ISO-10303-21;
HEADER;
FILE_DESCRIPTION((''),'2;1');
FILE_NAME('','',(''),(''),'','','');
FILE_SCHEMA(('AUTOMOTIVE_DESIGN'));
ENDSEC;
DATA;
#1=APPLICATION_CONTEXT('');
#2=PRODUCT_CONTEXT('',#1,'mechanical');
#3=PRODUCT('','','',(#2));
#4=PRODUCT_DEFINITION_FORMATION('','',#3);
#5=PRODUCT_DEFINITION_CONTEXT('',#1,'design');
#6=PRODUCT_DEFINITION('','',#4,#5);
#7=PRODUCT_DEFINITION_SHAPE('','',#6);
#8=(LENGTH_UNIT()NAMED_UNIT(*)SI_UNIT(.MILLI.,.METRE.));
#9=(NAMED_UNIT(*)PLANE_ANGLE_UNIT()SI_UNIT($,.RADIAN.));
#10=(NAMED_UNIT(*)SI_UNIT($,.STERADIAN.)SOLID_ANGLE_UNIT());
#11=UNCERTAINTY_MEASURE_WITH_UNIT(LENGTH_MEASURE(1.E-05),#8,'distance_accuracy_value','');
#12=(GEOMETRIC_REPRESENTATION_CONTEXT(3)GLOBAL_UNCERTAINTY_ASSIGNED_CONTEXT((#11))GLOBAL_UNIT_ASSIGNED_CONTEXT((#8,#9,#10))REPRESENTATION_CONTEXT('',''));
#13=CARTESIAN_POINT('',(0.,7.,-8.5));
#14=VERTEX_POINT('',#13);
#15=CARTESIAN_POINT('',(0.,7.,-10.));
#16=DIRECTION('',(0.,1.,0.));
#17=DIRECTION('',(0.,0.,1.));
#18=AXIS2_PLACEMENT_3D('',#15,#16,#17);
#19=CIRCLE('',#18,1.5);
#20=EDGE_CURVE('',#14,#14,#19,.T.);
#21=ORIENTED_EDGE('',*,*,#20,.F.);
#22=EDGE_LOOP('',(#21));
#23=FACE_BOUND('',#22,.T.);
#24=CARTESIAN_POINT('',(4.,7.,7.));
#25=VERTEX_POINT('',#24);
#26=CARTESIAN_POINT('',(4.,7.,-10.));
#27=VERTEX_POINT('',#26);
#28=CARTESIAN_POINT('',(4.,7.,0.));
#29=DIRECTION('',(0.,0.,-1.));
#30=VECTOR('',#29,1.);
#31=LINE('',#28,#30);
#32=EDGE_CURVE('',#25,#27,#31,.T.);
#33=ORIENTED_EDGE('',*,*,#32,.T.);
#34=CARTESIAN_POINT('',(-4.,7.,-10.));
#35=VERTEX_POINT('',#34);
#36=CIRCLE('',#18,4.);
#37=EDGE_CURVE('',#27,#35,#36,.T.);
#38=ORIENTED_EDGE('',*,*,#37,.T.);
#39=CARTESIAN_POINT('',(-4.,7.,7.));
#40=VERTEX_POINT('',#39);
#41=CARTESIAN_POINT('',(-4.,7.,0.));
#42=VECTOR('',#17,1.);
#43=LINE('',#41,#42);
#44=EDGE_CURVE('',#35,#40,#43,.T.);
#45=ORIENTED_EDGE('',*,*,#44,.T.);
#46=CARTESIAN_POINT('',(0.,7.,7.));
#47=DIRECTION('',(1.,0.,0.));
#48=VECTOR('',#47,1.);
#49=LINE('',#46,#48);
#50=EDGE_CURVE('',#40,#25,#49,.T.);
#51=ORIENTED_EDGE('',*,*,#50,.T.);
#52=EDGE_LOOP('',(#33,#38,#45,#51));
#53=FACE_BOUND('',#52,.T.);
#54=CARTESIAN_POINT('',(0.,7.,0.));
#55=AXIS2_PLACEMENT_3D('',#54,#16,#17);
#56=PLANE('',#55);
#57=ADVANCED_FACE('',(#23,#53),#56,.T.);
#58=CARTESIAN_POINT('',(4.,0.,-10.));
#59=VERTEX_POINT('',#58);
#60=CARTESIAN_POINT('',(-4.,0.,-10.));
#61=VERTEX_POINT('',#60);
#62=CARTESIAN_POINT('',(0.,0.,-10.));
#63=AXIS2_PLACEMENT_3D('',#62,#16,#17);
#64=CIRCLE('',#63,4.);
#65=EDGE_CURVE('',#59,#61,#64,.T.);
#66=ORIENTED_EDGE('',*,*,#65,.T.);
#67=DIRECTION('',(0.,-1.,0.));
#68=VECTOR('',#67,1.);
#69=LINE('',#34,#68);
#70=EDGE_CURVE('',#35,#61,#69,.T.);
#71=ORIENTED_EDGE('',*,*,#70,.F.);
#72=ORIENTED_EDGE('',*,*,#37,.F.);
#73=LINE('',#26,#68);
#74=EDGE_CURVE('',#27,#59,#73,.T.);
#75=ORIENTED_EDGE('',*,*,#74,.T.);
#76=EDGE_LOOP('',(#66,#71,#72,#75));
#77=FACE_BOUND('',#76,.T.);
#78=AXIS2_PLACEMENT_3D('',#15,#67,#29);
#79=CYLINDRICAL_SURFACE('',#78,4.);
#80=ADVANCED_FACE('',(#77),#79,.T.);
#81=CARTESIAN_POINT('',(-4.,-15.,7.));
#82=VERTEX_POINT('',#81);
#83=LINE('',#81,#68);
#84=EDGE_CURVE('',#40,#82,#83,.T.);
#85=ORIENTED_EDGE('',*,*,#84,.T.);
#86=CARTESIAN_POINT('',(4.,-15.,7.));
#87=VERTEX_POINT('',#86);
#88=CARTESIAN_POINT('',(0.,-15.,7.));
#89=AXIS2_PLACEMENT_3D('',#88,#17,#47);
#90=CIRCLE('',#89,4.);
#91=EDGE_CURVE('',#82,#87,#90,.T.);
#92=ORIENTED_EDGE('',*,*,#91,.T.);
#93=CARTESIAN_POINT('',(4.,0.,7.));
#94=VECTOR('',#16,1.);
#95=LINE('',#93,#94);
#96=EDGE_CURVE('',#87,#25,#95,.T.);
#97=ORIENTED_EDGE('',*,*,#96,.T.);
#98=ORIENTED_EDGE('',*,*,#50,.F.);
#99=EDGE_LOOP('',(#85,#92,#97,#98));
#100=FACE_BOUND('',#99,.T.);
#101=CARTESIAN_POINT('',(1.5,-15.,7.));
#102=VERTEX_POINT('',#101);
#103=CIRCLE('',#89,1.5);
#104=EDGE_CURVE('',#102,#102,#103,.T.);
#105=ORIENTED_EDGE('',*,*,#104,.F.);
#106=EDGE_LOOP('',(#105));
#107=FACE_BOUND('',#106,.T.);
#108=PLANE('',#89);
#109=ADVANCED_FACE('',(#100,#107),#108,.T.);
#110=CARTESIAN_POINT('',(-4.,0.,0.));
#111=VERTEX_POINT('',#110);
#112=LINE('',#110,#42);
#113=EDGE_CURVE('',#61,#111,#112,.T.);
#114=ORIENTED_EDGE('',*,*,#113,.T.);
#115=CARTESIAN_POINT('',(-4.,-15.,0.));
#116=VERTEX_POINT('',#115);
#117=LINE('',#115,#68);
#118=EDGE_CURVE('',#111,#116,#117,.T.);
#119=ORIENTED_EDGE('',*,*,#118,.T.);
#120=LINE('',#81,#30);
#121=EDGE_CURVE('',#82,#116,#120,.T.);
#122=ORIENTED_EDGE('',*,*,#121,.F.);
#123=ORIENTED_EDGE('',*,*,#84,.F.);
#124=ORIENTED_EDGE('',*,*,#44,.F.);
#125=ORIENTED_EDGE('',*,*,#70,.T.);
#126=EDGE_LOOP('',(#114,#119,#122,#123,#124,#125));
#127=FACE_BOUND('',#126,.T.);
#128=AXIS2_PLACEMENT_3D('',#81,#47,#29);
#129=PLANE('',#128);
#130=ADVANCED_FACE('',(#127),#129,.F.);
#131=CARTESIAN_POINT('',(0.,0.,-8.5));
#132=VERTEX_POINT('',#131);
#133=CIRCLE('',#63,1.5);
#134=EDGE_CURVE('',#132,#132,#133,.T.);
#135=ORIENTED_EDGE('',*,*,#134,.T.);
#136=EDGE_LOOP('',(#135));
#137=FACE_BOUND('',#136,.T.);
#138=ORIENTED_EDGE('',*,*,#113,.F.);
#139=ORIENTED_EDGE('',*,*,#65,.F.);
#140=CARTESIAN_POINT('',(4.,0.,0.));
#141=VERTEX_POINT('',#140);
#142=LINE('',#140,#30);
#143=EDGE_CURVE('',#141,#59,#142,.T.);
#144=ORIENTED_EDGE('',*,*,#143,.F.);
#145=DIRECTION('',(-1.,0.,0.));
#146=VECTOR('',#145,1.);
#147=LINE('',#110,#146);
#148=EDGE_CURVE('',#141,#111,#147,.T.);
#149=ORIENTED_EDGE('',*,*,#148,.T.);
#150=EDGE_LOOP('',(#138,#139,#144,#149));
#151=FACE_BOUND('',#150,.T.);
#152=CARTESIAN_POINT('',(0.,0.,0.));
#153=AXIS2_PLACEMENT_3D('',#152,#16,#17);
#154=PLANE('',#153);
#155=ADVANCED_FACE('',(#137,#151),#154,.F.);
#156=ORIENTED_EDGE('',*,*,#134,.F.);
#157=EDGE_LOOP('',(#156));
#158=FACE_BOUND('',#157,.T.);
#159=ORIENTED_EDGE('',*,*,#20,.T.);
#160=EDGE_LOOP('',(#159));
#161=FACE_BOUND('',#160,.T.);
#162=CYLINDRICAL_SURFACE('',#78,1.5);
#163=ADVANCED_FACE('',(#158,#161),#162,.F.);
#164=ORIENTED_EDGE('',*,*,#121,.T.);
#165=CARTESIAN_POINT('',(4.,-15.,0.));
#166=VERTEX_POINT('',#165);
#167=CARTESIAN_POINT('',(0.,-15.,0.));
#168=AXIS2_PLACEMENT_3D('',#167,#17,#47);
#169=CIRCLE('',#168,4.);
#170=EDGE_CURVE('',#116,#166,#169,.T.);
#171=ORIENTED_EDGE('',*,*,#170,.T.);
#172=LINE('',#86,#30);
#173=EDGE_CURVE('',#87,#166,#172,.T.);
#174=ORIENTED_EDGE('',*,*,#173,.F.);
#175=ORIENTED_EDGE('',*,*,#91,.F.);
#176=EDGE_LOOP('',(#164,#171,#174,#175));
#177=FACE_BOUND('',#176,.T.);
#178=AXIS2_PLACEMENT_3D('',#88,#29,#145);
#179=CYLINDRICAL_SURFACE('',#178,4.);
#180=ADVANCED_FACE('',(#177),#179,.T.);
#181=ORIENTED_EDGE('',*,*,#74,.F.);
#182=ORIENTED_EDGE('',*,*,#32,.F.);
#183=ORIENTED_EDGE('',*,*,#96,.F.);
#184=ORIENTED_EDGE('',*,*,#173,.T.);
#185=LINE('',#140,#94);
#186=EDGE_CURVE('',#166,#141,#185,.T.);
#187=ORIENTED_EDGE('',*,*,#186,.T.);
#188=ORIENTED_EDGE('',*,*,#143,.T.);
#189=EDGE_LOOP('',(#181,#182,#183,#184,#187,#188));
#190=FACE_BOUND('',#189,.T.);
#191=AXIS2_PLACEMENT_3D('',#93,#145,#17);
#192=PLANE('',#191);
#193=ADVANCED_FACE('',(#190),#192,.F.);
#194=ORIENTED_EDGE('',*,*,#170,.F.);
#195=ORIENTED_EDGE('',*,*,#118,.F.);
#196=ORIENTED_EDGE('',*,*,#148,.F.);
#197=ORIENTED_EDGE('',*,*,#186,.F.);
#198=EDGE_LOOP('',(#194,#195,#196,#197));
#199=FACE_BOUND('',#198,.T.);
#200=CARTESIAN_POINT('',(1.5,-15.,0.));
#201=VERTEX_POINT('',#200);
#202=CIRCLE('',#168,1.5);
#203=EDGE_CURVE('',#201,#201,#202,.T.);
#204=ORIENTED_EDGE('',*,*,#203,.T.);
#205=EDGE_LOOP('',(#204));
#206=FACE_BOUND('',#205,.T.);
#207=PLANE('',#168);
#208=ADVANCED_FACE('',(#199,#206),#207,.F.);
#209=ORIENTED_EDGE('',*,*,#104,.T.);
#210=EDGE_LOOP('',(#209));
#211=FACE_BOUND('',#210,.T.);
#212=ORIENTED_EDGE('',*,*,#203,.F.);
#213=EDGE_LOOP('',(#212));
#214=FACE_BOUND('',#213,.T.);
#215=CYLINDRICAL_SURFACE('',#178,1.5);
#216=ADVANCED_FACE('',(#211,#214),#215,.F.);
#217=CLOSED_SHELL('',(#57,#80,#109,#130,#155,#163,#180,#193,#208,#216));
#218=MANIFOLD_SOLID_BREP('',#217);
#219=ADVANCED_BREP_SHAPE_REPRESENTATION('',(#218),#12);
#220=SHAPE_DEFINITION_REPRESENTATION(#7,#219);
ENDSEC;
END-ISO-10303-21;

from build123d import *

# Parameters (mm, degrees)
SKETCH2_R           = 1.5
BOSS_EXTRUDE1_DEPTH = 7
SKETCH3_R           = 1.5
BOSS_EXTRUDE2_DEPTH = 7


with BuildPart() as part:
    # Sketch2 → Boss-Extrude1 (new body)
    with BuildSketch(Plane.XY):
        with BuildLine():
            Line((-4, -15), (-4, 0))
            Line((-4, 0), (4, 0))
            Line((4, 0), (4, -15))
            ThreePointArc((4, -15), (0, -19), (-4, -15))
        make_face()
        with Locations((0, -15)):
            Circle(SKETCH2_R, mode=Mode.SUBTRACT)
    extrude(amount=BOSS_EXTRUDE1_DEPTH)

    # Sketch3 → Boss-Extrude2 (add)
    with BuildSketch(Plane(origin=(0, 0, 0), x_dir=(1, 0, 0), z_dir=(0, 1, 0))):
        with BuildLine():
            Line((-4, 10), (-4, -7))
            Line((-4, -7), (4, -7))
            Line((4, -7), (4, 10))
            ThreePointArc((4, 10), (0, 14), (-4, 10))
        make_face()
        with Locations((0, 10)):
            Circle(SKETCH3_R, mode=Mode.SUBTRACT)
    extrude(amount=BOSS_EXTRUDE2_DEPTH)


solid = part.part
